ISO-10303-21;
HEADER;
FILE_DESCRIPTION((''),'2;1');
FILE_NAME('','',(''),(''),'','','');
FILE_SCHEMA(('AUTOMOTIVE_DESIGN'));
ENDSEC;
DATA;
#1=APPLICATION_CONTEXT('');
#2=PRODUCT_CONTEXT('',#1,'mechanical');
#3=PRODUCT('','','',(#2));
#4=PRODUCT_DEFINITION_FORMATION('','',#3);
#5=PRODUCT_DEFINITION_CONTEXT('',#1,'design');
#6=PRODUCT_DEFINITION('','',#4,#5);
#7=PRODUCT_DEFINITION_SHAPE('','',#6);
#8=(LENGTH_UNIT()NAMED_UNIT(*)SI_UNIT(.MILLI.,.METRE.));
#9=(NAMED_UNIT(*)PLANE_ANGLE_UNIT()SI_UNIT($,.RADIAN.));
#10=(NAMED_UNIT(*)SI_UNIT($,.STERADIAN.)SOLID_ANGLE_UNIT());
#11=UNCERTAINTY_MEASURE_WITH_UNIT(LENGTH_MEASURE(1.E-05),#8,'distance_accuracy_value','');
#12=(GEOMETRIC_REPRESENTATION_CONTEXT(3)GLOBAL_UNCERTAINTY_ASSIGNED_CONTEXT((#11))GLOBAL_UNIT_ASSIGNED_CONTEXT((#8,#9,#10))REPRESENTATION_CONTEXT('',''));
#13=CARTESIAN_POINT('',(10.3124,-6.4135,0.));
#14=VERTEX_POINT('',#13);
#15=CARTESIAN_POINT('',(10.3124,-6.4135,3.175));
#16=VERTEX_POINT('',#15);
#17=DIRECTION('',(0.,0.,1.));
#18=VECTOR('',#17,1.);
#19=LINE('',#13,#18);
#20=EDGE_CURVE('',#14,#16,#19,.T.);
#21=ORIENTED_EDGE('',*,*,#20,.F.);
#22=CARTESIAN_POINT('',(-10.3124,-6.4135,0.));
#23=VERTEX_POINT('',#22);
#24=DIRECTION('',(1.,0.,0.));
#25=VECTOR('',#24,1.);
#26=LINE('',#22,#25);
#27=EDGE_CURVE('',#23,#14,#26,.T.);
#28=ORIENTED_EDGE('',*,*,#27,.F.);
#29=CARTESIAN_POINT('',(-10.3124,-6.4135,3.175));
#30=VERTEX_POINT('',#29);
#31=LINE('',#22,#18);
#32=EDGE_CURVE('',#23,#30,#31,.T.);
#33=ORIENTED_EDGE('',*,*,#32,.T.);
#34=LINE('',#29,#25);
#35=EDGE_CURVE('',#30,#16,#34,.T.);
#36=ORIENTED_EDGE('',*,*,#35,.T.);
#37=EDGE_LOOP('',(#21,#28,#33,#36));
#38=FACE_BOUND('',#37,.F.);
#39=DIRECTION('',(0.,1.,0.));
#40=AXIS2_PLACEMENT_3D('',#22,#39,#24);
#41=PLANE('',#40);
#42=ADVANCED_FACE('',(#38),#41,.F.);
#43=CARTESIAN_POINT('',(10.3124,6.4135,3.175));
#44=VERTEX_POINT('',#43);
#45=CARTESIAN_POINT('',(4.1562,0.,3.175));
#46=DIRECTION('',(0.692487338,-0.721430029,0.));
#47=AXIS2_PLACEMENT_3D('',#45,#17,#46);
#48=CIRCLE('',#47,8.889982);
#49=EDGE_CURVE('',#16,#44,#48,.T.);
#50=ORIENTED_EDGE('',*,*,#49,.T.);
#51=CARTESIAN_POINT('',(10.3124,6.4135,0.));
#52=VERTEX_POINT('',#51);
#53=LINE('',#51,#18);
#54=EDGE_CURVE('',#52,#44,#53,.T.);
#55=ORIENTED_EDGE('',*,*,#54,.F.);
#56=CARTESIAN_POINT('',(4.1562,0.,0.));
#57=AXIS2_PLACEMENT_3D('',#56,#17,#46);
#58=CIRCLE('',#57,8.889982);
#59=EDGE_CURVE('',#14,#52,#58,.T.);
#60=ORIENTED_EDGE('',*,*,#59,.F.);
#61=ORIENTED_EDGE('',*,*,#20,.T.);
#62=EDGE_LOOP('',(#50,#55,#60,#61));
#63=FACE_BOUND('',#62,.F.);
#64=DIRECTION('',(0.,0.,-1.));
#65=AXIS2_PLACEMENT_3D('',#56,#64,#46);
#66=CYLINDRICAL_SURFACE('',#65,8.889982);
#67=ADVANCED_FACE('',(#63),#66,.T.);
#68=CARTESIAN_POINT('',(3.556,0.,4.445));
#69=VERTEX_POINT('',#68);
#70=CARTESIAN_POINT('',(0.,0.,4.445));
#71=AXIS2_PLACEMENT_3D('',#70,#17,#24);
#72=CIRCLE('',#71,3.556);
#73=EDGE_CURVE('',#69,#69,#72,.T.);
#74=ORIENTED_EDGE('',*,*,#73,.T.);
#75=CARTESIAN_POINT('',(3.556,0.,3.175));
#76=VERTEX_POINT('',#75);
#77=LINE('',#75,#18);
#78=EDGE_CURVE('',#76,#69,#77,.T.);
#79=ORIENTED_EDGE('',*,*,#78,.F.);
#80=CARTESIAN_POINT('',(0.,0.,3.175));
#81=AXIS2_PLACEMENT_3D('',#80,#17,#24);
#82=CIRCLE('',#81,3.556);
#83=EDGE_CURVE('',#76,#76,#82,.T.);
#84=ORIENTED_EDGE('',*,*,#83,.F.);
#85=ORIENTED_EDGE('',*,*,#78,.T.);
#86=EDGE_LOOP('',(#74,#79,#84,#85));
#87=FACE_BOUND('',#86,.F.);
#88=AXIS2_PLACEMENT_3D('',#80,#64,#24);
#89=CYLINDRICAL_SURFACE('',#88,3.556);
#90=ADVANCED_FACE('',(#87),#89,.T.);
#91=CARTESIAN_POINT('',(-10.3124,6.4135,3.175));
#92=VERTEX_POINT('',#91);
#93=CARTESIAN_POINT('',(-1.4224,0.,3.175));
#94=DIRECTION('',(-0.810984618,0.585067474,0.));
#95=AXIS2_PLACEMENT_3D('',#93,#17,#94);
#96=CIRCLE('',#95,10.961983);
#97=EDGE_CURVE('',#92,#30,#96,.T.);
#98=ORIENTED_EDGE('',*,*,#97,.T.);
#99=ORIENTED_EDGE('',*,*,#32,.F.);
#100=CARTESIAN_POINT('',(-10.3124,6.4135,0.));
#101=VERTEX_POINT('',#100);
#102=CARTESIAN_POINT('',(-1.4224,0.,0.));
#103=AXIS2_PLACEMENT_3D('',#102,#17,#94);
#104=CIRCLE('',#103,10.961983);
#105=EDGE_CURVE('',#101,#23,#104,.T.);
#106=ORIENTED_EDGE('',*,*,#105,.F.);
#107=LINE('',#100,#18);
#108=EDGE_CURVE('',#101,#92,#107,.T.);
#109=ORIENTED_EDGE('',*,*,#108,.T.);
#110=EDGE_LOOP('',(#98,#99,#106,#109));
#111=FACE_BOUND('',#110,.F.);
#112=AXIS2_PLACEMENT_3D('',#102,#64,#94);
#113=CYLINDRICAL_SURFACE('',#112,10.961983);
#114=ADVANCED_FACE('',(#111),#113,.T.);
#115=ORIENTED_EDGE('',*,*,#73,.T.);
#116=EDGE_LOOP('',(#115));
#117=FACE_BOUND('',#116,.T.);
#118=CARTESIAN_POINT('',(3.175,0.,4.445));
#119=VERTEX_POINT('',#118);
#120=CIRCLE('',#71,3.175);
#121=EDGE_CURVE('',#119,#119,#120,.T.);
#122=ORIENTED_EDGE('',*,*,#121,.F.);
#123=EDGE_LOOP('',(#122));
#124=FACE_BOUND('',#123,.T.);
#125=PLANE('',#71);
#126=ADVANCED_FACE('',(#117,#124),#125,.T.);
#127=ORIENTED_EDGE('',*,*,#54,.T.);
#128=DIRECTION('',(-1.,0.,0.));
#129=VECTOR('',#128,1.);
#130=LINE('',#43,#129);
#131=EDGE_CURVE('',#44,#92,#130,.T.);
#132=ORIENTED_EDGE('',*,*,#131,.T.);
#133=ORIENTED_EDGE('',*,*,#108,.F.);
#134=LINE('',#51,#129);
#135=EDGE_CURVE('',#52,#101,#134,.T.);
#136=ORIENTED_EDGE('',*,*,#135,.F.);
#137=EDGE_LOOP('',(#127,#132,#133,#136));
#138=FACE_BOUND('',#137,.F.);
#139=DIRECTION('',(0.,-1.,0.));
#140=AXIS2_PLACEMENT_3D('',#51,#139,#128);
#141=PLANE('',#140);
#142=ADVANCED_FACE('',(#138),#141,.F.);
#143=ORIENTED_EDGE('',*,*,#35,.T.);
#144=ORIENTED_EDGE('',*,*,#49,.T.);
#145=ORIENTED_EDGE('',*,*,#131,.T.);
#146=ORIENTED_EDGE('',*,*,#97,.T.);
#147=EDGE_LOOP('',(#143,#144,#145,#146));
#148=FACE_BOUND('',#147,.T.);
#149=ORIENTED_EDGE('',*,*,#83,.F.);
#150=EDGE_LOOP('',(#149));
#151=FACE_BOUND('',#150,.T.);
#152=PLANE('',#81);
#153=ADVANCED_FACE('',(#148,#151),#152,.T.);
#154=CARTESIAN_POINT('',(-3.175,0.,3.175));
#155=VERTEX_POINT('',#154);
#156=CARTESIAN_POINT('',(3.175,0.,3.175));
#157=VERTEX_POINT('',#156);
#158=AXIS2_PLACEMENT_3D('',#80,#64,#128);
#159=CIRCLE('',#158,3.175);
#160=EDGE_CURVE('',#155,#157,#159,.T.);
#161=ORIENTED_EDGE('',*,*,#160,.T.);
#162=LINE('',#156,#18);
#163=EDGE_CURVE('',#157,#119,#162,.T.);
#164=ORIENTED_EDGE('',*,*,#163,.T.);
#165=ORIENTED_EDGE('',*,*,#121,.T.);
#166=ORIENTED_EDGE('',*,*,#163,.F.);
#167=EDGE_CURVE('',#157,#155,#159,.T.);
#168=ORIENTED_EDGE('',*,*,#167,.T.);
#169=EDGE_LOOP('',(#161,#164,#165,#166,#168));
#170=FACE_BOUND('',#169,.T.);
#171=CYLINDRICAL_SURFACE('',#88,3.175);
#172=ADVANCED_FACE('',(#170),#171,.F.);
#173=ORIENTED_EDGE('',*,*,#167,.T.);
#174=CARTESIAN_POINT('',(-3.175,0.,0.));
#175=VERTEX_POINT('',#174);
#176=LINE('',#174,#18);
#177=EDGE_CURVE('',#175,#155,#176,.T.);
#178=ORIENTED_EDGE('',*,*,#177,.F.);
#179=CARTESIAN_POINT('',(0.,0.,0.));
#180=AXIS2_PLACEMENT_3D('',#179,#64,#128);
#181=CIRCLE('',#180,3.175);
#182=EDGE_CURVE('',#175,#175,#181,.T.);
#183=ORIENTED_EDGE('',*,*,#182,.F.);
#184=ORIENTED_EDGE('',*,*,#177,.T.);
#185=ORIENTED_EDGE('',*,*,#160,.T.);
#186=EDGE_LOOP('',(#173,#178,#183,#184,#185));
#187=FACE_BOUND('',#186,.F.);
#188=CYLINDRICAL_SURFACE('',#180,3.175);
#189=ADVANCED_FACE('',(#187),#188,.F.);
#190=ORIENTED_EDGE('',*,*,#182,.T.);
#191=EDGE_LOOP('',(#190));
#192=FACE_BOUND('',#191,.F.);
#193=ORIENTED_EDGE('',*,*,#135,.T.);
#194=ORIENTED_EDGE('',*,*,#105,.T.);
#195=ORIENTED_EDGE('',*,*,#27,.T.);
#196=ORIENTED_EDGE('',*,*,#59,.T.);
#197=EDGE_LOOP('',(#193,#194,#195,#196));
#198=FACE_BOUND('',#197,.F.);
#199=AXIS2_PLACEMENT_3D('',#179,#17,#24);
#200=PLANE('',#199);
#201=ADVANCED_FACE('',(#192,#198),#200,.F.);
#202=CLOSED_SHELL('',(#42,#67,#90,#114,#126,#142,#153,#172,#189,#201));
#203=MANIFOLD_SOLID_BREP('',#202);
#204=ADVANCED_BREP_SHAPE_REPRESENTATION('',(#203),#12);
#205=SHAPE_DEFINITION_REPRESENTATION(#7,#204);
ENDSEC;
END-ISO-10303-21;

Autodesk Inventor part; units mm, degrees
ref_plane "YZ Plane" through (0, 0, 0) normal (1, 0, 0) x (0, 1, 0)
ref_plane "XZ Plane" through (0, 0, 0) normal (0, 1, 0) x (-1, 0, 0)
ref_plane "XY Plane" through (0, 0, 0) normal (0, 0, 1) x (1, 0, 0)
sketch "Sketch1" plane through (0, 0, 0) normal (0, 0, 1) x (1, 0, 0)
  line L0 (-10.3124, -6.4135) -> (10.3124, -6.4135)
  line L1 (10.3124, -6.4135) -> (10.3124, 6.4135) construction
  line L2 (10.3124, 6.4135) -> (-10.3124, 6.4135)
  line L3 (-10.3124, 6.4135) -> (-10.3124, -6.4135) construction
  line L4 (-10.3124, -6.4135) -> (10.3124, 6.4135) construction
  line L5 (10.3124, -6.4135) -> (-10.3124, 6.4135) construction
  arc A0 (10.3124, -6.4135) -> (10.3124, 6.4135) centre (4.1562, 0) ccw
  arc A1 (-10.3124, 6.4135) -> (-10.3124, -6.4135) centre (-1.4224, 0) ccw
  point P0 (0, 0)
  dimension "d0" = 12.827
  dimension "d1" = 8.89
  dimension "d2" = 8.89
  dimension "d3" = 1.4224
extrude "Extrusion1" add sketch "Sketch1" along normal blind 3.175
sketch "Sketch2" plane through (0, 0, 0) normal (0, 0, -1) x (-1, 0, 0)
  circle A0 centre (0, 0) radius 3.175
  dimension "d6" = 6.35
extrude "Extrusion2" cut sketch "Sketch2" against normal blind 5.08
sketch "Sketch3" plane through (0, 0, 3.175) normal (0, 0, 1) x (1, 0, 0)
  circle A0 centre (0, 0) radius 3.175 projected
  circle A1 centre (0, 0) radius 3.556
  dimension "d9" = 7.112
extrude "Extrusion3" add sketch "Sketch3" along normal blind 1.27
thread "Thread1" size "1/4-20 UNC" class "2B" standard "ANSI Unified Screw Threads" full length
equation "\"d2\" = d1"
properties part number "3786_economy_slide_tnuts"
